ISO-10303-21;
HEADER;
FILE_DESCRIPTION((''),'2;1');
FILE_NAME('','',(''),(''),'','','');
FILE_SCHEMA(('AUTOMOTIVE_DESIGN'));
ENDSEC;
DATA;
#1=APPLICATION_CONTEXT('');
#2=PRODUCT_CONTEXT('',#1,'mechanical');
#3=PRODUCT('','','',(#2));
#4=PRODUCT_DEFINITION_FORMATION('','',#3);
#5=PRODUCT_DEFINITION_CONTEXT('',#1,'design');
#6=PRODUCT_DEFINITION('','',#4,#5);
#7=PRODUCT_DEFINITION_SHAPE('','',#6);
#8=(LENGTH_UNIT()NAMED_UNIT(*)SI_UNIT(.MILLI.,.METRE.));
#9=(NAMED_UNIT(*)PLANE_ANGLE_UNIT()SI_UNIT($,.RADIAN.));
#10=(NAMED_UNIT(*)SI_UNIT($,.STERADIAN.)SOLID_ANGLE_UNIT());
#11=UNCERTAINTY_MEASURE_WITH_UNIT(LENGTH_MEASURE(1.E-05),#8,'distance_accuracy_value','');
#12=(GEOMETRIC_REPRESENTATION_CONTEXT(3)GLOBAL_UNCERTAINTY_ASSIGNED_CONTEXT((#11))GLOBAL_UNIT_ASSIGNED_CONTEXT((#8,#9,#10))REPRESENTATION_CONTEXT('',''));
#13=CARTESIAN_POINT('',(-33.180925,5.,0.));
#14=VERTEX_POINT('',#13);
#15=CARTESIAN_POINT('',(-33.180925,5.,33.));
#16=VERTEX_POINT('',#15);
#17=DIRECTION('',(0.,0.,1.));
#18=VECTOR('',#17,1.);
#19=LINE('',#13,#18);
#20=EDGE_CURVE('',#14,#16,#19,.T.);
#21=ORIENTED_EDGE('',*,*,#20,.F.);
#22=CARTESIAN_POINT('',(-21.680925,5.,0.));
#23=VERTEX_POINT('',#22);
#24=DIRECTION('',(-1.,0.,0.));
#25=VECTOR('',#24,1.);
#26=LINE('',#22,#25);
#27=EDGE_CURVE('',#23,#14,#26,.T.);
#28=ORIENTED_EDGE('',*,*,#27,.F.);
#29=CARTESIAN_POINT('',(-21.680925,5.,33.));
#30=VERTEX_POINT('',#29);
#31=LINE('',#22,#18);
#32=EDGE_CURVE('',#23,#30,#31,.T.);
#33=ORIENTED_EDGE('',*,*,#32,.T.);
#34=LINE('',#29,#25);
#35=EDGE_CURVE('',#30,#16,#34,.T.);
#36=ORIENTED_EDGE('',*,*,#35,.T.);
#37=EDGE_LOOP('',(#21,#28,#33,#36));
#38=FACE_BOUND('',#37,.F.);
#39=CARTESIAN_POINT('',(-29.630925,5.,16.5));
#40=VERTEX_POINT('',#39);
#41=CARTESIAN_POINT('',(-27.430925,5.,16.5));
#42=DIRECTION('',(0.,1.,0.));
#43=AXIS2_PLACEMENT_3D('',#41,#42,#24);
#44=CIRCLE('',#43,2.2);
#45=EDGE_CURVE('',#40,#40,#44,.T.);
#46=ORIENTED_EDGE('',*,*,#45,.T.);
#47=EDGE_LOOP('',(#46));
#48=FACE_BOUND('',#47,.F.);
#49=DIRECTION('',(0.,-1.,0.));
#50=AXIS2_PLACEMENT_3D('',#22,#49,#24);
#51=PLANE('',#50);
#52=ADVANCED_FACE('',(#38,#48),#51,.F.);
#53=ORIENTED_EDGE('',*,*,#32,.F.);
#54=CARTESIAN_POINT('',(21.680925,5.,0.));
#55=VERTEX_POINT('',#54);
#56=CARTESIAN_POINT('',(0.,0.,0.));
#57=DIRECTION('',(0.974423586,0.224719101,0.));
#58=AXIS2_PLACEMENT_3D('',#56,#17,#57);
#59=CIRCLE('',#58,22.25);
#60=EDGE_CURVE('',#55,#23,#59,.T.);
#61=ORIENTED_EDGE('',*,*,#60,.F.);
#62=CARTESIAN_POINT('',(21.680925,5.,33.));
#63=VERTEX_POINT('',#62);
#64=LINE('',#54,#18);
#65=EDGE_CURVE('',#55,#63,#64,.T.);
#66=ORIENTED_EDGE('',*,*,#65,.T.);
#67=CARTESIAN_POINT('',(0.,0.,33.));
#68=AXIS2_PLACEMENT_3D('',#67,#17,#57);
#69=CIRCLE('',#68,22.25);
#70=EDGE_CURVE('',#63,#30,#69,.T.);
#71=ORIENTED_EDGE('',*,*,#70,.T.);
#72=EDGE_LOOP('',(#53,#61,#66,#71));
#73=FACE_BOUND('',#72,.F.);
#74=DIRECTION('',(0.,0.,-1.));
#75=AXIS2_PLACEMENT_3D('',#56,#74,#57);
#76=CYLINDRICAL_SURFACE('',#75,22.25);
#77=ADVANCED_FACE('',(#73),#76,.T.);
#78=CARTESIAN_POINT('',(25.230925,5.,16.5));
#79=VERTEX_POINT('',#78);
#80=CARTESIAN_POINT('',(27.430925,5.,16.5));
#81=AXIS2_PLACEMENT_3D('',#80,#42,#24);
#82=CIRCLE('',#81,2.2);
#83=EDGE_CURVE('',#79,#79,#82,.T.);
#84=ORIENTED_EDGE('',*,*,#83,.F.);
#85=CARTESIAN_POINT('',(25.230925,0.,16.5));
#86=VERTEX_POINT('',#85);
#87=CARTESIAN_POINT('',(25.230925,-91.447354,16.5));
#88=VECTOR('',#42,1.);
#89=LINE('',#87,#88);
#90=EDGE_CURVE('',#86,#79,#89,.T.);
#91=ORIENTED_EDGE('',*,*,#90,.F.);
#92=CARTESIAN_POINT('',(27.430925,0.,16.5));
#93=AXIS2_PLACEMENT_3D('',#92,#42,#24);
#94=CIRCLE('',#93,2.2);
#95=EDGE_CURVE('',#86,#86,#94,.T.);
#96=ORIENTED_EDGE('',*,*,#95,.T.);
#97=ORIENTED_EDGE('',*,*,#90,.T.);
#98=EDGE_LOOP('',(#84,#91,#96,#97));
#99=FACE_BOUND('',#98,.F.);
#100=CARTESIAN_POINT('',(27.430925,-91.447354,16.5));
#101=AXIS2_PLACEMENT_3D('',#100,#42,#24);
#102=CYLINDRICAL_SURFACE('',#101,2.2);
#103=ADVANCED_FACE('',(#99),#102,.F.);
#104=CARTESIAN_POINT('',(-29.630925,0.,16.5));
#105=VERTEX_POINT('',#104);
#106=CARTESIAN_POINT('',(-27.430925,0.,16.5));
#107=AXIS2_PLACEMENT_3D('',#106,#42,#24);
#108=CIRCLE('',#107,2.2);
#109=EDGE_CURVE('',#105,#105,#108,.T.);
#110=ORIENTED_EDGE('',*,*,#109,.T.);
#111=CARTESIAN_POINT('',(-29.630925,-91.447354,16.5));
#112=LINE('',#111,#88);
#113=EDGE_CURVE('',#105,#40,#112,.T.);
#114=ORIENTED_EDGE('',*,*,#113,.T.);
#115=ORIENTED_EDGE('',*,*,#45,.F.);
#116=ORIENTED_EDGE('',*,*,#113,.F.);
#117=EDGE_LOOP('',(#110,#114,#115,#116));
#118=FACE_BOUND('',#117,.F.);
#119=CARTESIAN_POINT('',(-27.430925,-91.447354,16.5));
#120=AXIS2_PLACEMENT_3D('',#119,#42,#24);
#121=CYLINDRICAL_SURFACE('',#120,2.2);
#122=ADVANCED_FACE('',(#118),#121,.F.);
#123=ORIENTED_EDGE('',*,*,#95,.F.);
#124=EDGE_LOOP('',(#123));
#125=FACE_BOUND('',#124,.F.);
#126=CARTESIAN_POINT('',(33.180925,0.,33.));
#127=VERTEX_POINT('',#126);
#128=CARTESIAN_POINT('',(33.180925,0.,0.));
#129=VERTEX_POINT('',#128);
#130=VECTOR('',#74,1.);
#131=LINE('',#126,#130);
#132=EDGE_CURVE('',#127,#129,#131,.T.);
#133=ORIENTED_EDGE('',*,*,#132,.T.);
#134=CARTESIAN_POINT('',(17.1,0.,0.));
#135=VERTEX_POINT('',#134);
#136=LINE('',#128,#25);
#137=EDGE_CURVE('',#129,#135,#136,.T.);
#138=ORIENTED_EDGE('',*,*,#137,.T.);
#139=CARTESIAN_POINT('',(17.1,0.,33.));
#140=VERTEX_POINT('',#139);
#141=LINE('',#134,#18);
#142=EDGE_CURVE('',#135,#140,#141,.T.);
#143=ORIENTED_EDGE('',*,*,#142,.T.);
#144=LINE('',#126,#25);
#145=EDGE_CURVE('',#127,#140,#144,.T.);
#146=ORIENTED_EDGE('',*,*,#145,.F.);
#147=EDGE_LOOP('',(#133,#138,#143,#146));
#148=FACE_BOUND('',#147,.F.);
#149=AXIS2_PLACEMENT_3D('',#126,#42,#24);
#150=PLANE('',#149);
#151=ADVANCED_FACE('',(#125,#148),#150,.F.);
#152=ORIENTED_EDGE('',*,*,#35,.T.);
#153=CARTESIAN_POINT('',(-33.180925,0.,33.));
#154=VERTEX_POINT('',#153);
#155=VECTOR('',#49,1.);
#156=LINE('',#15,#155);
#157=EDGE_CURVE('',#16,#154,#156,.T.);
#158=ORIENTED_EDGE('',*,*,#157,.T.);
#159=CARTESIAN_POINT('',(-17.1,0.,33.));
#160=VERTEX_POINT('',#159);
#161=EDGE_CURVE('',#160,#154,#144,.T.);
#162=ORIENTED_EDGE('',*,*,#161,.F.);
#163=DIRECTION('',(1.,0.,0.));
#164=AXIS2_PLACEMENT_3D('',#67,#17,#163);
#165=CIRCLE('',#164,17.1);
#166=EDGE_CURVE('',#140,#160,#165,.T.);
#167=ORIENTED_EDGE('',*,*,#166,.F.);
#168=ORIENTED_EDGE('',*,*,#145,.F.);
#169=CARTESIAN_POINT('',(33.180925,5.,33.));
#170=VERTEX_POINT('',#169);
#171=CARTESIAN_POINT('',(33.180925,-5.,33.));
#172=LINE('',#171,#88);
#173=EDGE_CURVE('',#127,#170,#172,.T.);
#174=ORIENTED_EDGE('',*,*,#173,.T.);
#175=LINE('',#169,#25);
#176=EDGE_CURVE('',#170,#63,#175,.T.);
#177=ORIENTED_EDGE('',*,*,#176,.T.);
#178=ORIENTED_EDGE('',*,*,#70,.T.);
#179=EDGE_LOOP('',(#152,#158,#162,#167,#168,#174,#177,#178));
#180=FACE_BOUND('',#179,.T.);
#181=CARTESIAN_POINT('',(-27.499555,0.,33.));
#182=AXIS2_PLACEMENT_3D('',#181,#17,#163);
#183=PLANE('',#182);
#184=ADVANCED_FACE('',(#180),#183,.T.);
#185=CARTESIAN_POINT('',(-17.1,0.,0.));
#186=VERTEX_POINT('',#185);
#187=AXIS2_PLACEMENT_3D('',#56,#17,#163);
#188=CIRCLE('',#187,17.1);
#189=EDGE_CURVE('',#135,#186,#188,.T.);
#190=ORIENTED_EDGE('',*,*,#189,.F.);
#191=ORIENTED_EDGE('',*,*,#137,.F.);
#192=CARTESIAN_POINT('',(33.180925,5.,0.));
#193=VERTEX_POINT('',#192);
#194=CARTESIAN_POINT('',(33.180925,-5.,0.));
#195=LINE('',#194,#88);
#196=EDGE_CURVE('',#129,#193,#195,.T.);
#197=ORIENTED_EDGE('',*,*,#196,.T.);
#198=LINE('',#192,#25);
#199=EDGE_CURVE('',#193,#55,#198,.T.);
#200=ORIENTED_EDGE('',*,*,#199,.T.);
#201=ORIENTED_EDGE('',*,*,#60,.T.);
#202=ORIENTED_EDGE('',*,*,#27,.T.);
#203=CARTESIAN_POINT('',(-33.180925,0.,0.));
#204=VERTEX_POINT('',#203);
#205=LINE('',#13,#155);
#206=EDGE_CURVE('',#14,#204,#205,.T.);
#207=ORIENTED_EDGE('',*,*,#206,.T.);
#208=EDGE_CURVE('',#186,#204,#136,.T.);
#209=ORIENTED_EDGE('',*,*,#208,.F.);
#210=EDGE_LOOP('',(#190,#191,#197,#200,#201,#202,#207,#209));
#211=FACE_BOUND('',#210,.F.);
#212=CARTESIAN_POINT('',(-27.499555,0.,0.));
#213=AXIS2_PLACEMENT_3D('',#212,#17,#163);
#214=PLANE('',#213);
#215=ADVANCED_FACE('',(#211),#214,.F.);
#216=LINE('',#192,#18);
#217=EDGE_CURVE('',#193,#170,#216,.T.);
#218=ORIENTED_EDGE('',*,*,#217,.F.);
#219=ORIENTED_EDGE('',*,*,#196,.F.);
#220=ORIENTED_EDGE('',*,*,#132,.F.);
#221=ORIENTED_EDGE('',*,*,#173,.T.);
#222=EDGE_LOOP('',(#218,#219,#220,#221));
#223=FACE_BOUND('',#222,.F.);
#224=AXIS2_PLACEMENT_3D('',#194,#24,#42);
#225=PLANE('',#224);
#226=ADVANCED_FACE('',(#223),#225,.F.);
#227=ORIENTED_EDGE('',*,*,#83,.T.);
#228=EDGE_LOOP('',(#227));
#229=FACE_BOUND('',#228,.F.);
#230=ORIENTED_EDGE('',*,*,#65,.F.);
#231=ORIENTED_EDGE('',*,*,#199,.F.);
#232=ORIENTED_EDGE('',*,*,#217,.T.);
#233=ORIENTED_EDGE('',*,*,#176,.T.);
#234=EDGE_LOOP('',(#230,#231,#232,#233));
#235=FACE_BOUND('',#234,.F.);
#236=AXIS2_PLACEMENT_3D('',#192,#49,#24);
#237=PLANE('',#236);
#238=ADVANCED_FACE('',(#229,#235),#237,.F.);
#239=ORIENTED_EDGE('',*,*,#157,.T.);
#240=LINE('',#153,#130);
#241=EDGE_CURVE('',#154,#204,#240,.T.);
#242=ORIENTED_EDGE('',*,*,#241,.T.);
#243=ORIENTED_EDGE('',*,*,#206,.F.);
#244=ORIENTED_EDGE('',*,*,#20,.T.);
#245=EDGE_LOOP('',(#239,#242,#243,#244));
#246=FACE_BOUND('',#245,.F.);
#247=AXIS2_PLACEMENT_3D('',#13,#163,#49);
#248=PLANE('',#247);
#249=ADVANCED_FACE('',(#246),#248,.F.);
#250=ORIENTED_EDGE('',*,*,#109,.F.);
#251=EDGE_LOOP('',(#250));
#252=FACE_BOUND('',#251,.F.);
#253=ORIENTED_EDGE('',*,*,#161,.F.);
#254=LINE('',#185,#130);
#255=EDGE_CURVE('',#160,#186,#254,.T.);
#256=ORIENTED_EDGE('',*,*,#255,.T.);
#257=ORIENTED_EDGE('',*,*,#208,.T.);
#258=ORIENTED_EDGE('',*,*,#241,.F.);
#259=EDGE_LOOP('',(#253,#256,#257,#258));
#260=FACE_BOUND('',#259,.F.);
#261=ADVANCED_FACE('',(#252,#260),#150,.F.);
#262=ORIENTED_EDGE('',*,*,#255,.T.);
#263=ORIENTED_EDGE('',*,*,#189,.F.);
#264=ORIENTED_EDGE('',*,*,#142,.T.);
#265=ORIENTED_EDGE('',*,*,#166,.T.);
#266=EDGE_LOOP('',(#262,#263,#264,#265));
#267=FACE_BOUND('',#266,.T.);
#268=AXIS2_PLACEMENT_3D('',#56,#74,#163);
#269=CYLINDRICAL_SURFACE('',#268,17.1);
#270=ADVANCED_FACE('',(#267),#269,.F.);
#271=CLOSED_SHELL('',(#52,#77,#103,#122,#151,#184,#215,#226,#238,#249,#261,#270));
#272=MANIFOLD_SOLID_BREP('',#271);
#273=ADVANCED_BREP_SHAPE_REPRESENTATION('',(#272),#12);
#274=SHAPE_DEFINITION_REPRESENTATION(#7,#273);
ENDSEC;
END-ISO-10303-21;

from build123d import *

# Parameters (mm, degrees)
F0_R     = 17.1
F1_DEPTH = 33
F3_D     = 4.4
F5_D     = 4.4
F7_DEPTH = 33


with BuildPart() as f1:
    # F0 (on Top) → F1 (new body)
    with BuildSketch(Plane.XY):
        with BuildLine():
            ThreePointArc((-21.6809247958, -5), (-22.25, 0), (-21.6809247958, 5))
            Line((-21.6809247958, 5), (-33.1809247958, 5))
            Line((-33.1809247958, 5), (-33.1809247958, -5))
            Line((-33.1809247958, -5), (-21.6809247958, -5))
        make_face()
        with BuildLine():
            ThreePointArc((21.6809247958, -5), (22.1072734265, -2.516140228), (22.25, 0))
            ThreePointArc((22.25, 0), (22.1072734265, 2.516140228), (21.6809247958, 5))
            ThreePointArc((21.6809247958, 5), (0, 22.25), (-21.6809247958, 5))
            ThreePointArc((-21.6809247958, 5), (-22.25, 0), (-21.6809247958, -5))
            ThreePointArc((-21.6809247958, -5), (0, -22.25), (21.6809247958, -5))
        make_face()
        Circle(F0_R, mode=Mode.SUBTRACT)
        with BuildLine():
            ThreePointArc((21.6809247958, 5), (22.1072734265, 2.516140228), (22.25, 0))
            ThreePointArc((22.25, 0), (22.1072734265, -2.516140228), (21.6809247958, -5))
            Line((21.6809247958, -5), (33.1809247958, -5))
            Line((33.1809247958, -5), (33.1809247958, 5))
            Line((33.1809247958, 5), (21.6809247958, 5))
        make_face()
    extrude(amount=F1_DEPTH)

    # F3 (through all)
    with Locations(Plane.XZ.offset(5)):
        with Locations((-27.4309247958, 16.5)):
            Hole(F3_D / 2)

    # F5 (through all)
    with Locations(Plane.XZ.offset(5)):
        with Locations((27.4309247958, 16.5)):
            Hole(F5_D / 2)

    # F6 (on face) → F7 (cut)
    with BuildSketch(Plane.XY.offset(33)):
        with BuildLine():
            Line((33.1809247958, 0), (17.1, 0))
            ThreePointArc((17.1, 0), (0, -17.1), (-17.1, 0))
            Line((-17.1, 0), (-33.1809247958, 0))
            Line((-33.1809247958, 0), (-33.1809247958, -5))
            Line((-33.1809247958, -5), (-21.6809247958, -5))
            ThreePointArc((-21.6809247958, -5), (0, -22.25), (21.6809247958, -5))
            Line((21.6809247958, -5), (33.1809247958, -5))
            Line((33.1809247958, -5), (33.1809247958, 0))
        make_face()
        with BuildLine():
            Line((33.1809247958, -22.675672546), (33.1809247958, -5))
            Line((33.1809247958, -5), (21.6809247958, -5))
            ThreePointArc((21.6809247958, -5), (0, -22.25), (-21.6809247958, -5))
            Line((-21.6809247958, -5), (-33.1809247958, -5))
            Line((-33.1809247958, -5), (-33.1809247958, -22.675672546))
            Line((-33.1809247958, -22.675672546), (33.1809247958, -22.675672546))
        make_face()
        with BuildLine():
            ThreePointArc((-17.1, 0), (0, -17.1), (17.1, 0))
            Line((17.1, 0), (-17.1, 0))
        make_face()
    extrude(amount=-F7_DEPTH, mode=Mode.SUBTRACT)


solid = f1.part
